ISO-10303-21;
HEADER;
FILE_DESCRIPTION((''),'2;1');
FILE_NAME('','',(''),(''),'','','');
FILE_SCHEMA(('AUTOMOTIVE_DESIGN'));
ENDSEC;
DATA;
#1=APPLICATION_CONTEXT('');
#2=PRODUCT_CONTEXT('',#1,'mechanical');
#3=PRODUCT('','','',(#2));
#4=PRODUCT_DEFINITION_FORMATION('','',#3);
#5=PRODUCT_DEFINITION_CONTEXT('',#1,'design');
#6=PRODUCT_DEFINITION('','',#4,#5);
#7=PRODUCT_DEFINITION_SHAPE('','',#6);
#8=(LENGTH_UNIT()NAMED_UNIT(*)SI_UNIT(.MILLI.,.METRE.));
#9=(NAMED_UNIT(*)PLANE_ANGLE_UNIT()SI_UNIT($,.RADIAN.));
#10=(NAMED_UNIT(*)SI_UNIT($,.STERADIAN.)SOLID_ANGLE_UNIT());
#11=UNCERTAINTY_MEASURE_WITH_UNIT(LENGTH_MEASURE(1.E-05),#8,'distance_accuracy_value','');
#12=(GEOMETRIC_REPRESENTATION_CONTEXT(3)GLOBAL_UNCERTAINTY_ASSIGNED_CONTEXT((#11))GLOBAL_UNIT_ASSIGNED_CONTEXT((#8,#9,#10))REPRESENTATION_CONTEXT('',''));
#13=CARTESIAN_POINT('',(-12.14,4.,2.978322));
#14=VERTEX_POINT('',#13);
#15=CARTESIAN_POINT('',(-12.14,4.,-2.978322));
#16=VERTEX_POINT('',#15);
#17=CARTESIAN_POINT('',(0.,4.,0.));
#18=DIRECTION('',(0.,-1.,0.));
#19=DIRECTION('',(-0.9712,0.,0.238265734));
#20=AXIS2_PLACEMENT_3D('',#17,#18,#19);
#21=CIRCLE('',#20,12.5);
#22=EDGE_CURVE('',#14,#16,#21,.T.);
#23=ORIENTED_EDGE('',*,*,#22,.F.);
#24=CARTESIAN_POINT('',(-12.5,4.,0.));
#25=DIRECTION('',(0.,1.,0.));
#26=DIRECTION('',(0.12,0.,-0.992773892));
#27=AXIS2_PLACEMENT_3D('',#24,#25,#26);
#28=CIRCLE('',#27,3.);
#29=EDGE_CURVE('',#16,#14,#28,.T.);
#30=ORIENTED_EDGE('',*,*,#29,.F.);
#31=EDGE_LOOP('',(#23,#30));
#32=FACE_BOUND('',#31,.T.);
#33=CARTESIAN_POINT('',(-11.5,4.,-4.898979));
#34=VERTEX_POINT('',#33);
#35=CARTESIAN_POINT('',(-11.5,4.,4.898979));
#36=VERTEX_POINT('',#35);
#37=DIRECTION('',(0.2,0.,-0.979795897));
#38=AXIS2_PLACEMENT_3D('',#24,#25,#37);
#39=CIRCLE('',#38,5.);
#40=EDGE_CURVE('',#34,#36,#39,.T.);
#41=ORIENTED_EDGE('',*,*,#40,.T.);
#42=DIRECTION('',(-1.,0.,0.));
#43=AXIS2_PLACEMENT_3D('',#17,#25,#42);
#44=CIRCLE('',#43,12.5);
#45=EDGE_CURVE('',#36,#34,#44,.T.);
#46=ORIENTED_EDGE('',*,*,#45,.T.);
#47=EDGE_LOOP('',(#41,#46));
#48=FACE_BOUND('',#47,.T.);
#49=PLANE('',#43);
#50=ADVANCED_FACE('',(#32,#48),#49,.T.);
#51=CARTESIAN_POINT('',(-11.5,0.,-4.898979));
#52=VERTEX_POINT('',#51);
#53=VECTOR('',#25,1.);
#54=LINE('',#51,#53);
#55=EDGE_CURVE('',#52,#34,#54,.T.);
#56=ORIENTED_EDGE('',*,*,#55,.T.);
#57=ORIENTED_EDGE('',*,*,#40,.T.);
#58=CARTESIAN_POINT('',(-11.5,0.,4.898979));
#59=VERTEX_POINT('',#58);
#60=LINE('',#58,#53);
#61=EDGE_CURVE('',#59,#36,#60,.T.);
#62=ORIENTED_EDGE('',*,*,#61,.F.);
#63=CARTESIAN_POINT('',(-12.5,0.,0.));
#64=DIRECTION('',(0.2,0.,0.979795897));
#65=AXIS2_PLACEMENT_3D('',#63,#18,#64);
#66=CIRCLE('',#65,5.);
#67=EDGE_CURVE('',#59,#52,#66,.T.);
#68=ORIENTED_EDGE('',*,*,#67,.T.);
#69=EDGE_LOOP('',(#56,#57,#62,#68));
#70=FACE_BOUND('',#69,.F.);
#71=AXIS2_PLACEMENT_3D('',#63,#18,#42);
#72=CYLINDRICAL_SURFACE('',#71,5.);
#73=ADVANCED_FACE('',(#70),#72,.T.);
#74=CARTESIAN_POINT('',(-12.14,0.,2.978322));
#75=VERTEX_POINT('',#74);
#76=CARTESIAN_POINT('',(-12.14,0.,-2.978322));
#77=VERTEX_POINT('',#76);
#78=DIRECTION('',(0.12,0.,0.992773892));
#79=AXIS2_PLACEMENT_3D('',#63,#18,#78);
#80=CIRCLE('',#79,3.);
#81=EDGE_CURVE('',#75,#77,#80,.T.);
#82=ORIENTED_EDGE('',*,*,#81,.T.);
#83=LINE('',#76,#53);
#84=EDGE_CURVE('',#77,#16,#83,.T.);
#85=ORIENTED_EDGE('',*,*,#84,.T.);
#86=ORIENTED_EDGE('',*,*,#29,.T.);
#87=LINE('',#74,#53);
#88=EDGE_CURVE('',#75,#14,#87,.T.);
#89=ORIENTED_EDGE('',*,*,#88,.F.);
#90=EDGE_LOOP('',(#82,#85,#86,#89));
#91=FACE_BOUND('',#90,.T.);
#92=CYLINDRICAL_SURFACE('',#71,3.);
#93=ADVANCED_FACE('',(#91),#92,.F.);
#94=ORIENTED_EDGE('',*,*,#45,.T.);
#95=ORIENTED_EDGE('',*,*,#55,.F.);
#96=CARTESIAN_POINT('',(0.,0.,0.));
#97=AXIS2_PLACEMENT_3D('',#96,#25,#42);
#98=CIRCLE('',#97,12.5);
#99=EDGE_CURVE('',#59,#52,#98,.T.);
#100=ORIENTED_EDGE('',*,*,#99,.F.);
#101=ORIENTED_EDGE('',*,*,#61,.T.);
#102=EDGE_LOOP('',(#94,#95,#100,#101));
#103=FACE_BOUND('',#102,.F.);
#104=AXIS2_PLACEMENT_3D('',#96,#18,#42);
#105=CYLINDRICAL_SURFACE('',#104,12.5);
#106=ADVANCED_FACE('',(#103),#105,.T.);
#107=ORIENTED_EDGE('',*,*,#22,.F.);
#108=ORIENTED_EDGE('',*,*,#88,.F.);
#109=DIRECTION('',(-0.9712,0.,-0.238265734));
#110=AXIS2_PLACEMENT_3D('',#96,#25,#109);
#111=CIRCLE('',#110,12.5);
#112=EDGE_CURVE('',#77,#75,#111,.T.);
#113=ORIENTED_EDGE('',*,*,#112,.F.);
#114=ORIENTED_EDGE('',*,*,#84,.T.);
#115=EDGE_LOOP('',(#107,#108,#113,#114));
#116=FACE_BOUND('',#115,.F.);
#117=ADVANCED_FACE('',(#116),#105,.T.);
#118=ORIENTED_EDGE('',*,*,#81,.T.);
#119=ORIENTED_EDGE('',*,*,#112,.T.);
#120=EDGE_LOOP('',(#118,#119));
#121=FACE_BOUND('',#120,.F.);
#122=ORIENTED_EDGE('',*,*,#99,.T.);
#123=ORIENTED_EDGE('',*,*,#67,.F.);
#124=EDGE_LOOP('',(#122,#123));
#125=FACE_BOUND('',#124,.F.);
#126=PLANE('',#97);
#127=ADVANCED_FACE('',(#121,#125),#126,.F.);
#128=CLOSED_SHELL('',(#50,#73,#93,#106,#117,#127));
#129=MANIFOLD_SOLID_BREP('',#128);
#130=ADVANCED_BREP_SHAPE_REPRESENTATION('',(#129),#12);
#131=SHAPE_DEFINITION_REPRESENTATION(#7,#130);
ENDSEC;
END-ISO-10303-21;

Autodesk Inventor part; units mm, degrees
ref_plane "YZ Plane" through (0, 0, 0) normal (1, 0, 0) x (0, 1, 0)
ref_plane "XZ Plane" through (0, 0, 0) normal (0, 1, 0) x (-1, 0, 0)
ref_plane "XY Plane" through (0, 0, 0) normal (0, 0, 1) x (1, 0, 0)
sketch "Sketch1" plane through (0, 0, 0) normal (0, 1, 0) x (-1, 0, 0)
  circle A0 centre (0, 0) radius 12.5
  circle A1 centre (12.5, 0) radius 5
  circle A2 centre (12.5, 0) radius 3
  point P0 (12.14, 2.9783)
  point P1 (12.14, -2.9783)
  point P2 (11.5, -4.899)
  point P3 (11.5, 4.899)
  dimension "d0" = 25
  dimension "d3" = 10
  dimension "d4" = 2
extrude "Extrusion1" add sketch "Sketch1" along normal blind 4 contours A0 A2 | A2 A0 A1 | A0 A1 A2 | A1 A0 picked at (11.5157, -0.5732)
properties part number "keyring"
